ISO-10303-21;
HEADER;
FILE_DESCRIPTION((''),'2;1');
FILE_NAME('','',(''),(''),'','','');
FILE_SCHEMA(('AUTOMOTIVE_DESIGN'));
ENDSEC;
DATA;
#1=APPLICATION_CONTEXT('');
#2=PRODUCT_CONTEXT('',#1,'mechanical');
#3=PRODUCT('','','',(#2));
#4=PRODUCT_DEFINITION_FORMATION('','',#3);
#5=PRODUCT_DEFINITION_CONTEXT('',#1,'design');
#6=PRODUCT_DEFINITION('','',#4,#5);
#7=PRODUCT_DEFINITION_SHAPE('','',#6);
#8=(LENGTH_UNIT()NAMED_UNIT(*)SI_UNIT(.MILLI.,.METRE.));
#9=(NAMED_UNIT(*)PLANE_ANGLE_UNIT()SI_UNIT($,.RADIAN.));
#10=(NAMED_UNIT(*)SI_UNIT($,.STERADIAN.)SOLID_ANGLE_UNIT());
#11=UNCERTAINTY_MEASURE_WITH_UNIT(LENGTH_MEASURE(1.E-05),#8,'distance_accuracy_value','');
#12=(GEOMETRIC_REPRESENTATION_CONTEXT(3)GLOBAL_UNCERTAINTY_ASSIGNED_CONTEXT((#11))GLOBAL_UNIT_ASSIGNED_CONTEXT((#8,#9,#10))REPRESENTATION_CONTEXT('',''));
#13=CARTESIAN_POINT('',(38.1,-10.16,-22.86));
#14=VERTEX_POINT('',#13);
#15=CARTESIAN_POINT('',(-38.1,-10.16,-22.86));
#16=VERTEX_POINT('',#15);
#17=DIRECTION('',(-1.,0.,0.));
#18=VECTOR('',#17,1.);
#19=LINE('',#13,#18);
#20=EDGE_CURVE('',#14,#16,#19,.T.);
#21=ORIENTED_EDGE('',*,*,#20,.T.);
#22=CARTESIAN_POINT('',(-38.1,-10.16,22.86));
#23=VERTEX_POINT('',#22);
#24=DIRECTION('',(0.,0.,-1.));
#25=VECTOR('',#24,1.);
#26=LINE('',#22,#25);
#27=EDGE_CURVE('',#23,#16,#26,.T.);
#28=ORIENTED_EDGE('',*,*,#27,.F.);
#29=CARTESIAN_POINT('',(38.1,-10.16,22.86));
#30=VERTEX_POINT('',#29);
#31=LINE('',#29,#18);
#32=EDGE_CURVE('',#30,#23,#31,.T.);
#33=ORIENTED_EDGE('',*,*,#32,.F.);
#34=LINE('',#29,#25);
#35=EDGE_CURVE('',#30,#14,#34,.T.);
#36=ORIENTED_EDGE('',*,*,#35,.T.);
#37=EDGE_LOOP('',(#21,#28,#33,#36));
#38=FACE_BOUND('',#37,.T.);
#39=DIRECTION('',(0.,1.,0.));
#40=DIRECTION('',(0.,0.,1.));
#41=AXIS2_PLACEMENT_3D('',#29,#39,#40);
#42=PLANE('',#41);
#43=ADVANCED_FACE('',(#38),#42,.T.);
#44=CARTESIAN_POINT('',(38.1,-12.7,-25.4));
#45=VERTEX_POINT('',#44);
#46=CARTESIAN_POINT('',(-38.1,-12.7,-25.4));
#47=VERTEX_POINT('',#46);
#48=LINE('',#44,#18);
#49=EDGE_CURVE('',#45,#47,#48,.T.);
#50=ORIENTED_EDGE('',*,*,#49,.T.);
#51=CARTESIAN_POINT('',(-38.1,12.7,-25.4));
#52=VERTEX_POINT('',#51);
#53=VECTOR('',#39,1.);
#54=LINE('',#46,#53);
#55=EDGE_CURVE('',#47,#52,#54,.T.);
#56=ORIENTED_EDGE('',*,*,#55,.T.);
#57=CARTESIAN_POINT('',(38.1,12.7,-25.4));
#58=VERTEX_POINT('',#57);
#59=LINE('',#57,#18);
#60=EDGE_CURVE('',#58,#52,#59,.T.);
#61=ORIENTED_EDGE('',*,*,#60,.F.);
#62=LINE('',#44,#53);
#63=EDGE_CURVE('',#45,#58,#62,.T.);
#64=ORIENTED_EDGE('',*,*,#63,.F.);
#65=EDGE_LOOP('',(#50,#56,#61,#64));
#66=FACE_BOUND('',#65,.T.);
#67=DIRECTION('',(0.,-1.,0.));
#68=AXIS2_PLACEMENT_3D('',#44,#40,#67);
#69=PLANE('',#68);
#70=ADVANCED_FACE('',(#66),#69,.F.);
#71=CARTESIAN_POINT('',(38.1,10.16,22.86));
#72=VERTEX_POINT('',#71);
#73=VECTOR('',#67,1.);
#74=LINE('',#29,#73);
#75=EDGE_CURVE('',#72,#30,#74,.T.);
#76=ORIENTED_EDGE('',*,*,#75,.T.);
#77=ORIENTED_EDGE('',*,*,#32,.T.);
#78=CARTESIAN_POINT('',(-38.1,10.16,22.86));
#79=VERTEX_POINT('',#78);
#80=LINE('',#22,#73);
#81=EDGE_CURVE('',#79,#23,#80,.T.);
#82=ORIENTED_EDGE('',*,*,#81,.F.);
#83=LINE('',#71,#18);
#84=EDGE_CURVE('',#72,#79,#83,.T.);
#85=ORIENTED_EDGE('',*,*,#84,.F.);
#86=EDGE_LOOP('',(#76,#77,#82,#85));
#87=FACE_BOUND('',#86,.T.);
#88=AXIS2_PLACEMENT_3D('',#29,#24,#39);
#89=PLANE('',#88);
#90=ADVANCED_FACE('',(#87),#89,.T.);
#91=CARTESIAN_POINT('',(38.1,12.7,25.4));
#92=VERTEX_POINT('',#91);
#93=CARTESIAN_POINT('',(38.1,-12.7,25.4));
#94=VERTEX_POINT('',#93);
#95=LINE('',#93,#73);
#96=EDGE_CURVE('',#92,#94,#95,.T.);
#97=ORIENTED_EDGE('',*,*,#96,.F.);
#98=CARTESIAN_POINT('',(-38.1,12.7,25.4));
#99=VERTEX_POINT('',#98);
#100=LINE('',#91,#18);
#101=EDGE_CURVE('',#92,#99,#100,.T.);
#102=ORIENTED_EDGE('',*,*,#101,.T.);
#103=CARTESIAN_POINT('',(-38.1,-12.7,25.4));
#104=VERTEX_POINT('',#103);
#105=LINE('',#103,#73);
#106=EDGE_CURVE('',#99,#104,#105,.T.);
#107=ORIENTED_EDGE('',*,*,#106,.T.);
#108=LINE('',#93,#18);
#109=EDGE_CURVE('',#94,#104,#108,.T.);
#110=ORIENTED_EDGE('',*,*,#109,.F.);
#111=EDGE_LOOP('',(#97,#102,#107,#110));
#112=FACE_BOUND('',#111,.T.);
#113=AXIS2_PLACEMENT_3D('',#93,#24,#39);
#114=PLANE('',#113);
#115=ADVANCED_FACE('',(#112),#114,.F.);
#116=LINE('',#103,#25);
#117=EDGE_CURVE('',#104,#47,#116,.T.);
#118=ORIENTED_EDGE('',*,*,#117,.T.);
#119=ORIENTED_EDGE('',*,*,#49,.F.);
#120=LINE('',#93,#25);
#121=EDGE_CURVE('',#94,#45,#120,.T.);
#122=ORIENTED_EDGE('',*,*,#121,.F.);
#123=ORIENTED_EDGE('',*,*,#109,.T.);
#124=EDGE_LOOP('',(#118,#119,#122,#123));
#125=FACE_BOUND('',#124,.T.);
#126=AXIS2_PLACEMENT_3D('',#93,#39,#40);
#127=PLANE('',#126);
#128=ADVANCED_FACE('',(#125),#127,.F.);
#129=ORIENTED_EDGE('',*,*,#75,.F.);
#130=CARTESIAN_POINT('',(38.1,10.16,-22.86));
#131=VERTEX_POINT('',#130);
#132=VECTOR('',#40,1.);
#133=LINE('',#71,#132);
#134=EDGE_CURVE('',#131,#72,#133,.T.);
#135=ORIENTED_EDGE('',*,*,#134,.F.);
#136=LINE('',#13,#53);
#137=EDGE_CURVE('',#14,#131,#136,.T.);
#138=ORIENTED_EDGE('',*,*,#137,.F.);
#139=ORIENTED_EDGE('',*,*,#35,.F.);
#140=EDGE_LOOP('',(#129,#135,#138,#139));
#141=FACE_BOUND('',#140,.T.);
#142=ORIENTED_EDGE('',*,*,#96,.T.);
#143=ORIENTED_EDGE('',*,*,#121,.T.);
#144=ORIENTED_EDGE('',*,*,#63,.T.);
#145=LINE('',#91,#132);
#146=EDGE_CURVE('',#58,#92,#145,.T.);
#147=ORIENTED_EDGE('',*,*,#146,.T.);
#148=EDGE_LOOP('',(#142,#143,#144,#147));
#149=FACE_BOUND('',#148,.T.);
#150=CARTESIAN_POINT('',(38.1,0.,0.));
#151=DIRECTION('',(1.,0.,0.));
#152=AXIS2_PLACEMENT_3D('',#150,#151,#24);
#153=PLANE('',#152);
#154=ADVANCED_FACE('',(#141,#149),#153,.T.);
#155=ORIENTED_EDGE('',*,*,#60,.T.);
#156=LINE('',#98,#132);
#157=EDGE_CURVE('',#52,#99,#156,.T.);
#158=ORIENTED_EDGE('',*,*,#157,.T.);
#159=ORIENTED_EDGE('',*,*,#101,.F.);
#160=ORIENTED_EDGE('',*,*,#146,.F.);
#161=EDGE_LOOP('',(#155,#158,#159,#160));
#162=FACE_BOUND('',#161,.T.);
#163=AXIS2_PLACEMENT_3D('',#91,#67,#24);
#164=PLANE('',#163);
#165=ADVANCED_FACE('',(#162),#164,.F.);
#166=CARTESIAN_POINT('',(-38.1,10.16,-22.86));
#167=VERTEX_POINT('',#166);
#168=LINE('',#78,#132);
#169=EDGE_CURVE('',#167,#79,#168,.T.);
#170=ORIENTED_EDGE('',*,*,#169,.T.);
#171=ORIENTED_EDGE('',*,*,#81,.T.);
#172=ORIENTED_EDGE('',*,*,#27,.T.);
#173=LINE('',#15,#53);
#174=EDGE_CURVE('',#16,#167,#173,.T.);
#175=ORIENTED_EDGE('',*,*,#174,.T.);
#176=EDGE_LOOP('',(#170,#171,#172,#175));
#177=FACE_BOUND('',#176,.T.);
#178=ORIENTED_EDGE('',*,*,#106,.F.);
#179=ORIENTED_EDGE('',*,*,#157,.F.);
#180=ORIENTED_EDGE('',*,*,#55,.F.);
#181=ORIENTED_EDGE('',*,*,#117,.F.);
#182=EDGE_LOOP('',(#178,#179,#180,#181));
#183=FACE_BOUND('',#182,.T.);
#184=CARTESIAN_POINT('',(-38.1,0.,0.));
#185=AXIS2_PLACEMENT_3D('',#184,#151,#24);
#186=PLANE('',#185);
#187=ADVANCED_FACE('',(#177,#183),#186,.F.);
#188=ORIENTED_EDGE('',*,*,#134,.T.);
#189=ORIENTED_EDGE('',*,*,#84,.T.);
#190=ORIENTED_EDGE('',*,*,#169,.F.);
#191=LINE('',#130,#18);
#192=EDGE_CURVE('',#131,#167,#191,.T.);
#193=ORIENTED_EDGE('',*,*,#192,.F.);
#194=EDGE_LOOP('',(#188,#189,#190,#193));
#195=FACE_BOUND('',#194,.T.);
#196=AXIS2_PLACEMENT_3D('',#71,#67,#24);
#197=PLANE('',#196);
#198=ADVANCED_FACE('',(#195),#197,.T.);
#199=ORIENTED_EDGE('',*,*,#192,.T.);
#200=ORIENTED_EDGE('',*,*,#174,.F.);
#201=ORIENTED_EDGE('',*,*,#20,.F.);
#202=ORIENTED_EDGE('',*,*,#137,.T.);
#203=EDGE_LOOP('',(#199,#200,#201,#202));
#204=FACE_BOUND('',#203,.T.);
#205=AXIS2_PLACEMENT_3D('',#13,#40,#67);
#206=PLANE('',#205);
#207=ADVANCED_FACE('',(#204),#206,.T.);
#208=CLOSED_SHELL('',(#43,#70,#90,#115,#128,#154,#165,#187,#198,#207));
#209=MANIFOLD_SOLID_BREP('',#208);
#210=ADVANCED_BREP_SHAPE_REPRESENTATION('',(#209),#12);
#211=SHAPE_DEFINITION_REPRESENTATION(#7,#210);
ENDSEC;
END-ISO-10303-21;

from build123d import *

# Parameters (mm, degrees)
SKETCH1_W                                 = 25.4
SKETCH1_H                                 = 50.8
SKETCH1_W_2                               = 20.32
SKETCH1_H_2                               = 45.72
VERSAFRAME_VERSAFRAME_2_X_1_X_0_1_1_DEPTH = 76.2


with BuildPart() as part:
    # Sketch1 → Versaframe VERSAFRAME 2 X 1 X 0.1 (1) (new body)
    with BuildSketch(Plane.YZ.offset(-38.1)):
        Rectangle(SKETCH1_W, SKETCH1_H)
        Rectangle(SKETCH1_W_2, SKETCH1_H_2, mode=Mode.SUBTRACT)
    extrude(amount=VERSAFRAME_VERSAFRAME_2_X_1_X_0_1_1_DEPTH)


solid = part.part
